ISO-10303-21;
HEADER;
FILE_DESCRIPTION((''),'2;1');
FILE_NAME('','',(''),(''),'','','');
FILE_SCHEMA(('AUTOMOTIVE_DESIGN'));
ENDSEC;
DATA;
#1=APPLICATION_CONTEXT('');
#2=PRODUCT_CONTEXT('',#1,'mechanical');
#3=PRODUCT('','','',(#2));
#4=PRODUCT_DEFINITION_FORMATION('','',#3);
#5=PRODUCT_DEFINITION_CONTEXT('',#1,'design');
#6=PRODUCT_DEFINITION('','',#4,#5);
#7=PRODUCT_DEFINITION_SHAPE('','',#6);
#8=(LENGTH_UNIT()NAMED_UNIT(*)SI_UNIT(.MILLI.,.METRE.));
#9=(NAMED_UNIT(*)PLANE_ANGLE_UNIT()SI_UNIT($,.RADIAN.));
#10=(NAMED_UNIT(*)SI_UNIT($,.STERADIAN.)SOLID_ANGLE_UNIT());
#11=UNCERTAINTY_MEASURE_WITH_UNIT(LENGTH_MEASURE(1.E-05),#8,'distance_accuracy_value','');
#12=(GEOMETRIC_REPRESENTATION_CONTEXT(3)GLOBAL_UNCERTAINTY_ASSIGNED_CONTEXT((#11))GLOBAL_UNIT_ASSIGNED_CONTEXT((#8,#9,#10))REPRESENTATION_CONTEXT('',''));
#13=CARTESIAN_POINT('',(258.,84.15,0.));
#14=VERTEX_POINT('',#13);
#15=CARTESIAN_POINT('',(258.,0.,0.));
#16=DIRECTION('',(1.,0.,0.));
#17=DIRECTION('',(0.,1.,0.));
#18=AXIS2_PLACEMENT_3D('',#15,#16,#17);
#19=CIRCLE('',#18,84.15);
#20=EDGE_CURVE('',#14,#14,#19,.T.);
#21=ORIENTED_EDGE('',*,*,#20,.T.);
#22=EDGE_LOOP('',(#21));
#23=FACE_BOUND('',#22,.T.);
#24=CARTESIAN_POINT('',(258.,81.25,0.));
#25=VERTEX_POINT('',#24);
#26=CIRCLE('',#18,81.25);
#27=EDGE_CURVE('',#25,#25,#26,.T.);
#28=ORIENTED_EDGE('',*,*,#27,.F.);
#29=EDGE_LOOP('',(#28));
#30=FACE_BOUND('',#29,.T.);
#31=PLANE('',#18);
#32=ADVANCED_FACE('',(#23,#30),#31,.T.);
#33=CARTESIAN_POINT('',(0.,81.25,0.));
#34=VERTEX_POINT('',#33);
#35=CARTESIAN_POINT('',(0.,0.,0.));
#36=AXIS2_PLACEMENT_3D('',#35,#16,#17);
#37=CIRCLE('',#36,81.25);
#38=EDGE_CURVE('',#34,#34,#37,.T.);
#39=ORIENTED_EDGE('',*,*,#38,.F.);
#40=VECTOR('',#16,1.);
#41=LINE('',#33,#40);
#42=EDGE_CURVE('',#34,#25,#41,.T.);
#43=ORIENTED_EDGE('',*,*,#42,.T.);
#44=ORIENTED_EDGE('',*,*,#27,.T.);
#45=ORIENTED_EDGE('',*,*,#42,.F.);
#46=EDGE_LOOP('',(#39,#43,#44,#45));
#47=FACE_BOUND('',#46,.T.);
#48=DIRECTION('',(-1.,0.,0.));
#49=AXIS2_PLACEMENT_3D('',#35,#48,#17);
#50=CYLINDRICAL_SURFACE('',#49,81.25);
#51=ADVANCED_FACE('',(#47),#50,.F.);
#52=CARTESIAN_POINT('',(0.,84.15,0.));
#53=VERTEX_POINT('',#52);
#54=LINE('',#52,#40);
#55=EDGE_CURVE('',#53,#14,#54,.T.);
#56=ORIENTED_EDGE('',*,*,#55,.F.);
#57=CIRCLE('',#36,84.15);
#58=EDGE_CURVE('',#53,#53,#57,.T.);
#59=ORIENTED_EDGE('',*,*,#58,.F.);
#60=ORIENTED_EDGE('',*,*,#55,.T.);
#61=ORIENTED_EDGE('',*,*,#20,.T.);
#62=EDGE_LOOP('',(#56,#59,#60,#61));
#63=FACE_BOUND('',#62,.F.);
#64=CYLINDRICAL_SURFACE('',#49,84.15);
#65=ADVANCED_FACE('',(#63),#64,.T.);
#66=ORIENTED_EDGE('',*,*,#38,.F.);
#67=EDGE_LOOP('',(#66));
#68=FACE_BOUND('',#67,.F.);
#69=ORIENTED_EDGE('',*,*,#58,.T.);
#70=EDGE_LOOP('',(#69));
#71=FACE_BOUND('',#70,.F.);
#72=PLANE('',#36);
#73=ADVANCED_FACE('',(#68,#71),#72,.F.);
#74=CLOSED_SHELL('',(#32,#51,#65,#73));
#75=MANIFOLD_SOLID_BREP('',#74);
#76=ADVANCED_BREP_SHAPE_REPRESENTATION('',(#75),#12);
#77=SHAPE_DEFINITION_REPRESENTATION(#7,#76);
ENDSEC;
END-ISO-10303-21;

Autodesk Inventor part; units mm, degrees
ref_plane "YZ Plane" through (0, 0, 0) normal (1, 0, 0) x (0, 1, 0)
ref_plane "XZ Plane" through (0, 0, 0) normal (0, 1, 0) x (-1, 0, 0)
ref_plane "XY Plane" through (0, 0, 0) normal (0, 0, 1) x (1, 0, 0)
sketch "Sketch1" plane through (0, 0, 0) normal (1, 0, 0) x (0, 1, 0)
  circle A0 centre (0, 0) radius 84.15
  circle A1 centre (0, 0) radius 81.25
  dimension "d0" = 168.3
  dimension "d1" = 2.9
extrude "Extrusion1" add sketch "Sketch1" along normal blind 258
equation "\"d0\" = OD"
equation "\"d1\" = t"
equation "\"d2\" = L"
equation "\"OD\" = 168.3"
equation "\"t\" = 2.9"
equation "\"L\" = PL"
equation "\"ID\" = 162.5"
equation "\"PL\" = 258"
equation "\"Size_Designation\" = 1.2345"
properties material "Steel"
